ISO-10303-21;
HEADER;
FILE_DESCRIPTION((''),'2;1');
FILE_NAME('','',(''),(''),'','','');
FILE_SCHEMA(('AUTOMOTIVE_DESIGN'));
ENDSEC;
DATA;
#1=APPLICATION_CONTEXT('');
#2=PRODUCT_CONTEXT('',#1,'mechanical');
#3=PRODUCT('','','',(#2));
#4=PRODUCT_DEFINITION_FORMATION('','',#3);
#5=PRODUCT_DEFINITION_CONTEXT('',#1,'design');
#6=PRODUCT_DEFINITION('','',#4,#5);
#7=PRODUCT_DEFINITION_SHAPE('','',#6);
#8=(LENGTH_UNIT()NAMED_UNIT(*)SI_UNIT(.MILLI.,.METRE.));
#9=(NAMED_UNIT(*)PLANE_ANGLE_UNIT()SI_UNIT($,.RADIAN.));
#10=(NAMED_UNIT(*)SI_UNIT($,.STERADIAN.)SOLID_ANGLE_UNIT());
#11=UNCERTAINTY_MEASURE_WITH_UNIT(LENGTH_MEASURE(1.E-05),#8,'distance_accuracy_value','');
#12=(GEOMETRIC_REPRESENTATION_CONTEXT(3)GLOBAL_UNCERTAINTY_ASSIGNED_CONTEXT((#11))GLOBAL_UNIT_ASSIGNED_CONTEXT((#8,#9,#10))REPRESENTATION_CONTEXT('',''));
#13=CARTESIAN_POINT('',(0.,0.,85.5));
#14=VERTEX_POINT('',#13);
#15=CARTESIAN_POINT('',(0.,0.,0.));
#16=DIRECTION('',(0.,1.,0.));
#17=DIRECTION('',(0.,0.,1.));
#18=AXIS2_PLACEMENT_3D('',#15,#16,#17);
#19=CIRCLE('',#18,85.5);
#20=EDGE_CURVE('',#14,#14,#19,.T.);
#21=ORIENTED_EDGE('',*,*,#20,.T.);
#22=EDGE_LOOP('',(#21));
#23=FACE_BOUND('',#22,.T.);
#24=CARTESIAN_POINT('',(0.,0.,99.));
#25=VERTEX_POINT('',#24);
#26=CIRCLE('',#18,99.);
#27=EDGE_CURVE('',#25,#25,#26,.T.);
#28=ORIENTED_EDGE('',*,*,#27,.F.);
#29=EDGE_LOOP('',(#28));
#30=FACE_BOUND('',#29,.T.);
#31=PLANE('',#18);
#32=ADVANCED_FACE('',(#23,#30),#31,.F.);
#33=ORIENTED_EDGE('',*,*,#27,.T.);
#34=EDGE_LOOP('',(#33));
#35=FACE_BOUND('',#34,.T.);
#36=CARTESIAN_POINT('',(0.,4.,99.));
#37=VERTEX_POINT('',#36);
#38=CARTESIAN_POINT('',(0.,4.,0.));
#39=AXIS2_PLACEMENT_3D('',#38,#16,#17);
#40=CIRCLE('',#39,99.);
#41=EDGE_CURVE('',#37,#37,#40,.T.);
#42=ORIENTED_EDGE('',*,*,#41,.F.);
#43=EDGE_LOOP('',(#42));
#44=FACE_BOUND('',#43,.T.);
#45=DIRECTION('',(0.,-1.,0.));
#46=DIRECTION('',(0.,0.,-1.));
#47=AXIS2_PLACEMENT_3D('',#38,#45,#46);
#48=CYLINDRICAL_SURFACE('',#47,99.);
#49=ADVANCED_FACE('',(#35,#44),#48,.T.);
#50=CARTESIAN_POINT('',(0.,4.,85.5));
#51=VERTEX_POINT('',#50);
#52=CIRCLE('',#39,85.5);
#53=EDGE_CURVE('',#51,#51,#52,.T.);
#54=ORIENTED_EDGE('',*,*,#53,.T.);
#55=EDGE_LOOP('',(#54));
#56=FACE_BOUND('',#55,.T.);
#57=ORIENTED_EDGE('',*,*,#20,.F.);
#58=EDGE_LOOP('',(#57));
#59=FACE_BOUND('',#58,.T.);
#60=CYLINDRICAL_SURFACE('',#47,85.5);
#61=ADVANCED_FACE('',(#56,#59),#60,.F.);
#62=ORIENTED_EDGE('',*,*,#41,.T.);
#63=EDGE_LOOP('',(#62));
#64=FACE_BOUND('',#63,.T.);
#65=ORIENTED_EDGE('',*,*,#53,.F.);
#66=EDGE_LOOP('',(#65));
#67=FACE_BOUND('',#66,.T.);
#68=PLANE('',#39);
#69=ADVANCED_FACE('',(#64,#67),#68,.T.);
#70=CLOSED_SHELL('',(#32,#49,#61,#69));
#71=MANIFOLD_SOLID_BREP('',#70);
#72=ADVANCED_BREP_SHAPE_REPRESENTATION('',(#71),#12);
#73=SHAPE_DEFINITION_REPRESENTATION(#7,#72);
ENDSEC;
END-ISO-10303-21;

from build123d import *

# Parameters (mm, degrees)
ESBO_O1_R                = 99
ESBO_O1_R_2              = 85.5
RESSALTO_EXTRUS_O1_DEPTH = 4


with BuildPart() as part:
    # Esboço1 → Ressalto-extrusão1 (new body)
    with BuildSketch(Plane(origin=(0, 0, 0), x_dir=(1, 0, 0), z_dir=(0, 1, 0))):
        Circle(ESBO_O1_R)
        Circle(ESBO_O1_R_2, mode=Mode.SUBTRACT)
    extrude(amount=RESSALTO_EXTRUS_O1_DEPTH)


solid = part.part
